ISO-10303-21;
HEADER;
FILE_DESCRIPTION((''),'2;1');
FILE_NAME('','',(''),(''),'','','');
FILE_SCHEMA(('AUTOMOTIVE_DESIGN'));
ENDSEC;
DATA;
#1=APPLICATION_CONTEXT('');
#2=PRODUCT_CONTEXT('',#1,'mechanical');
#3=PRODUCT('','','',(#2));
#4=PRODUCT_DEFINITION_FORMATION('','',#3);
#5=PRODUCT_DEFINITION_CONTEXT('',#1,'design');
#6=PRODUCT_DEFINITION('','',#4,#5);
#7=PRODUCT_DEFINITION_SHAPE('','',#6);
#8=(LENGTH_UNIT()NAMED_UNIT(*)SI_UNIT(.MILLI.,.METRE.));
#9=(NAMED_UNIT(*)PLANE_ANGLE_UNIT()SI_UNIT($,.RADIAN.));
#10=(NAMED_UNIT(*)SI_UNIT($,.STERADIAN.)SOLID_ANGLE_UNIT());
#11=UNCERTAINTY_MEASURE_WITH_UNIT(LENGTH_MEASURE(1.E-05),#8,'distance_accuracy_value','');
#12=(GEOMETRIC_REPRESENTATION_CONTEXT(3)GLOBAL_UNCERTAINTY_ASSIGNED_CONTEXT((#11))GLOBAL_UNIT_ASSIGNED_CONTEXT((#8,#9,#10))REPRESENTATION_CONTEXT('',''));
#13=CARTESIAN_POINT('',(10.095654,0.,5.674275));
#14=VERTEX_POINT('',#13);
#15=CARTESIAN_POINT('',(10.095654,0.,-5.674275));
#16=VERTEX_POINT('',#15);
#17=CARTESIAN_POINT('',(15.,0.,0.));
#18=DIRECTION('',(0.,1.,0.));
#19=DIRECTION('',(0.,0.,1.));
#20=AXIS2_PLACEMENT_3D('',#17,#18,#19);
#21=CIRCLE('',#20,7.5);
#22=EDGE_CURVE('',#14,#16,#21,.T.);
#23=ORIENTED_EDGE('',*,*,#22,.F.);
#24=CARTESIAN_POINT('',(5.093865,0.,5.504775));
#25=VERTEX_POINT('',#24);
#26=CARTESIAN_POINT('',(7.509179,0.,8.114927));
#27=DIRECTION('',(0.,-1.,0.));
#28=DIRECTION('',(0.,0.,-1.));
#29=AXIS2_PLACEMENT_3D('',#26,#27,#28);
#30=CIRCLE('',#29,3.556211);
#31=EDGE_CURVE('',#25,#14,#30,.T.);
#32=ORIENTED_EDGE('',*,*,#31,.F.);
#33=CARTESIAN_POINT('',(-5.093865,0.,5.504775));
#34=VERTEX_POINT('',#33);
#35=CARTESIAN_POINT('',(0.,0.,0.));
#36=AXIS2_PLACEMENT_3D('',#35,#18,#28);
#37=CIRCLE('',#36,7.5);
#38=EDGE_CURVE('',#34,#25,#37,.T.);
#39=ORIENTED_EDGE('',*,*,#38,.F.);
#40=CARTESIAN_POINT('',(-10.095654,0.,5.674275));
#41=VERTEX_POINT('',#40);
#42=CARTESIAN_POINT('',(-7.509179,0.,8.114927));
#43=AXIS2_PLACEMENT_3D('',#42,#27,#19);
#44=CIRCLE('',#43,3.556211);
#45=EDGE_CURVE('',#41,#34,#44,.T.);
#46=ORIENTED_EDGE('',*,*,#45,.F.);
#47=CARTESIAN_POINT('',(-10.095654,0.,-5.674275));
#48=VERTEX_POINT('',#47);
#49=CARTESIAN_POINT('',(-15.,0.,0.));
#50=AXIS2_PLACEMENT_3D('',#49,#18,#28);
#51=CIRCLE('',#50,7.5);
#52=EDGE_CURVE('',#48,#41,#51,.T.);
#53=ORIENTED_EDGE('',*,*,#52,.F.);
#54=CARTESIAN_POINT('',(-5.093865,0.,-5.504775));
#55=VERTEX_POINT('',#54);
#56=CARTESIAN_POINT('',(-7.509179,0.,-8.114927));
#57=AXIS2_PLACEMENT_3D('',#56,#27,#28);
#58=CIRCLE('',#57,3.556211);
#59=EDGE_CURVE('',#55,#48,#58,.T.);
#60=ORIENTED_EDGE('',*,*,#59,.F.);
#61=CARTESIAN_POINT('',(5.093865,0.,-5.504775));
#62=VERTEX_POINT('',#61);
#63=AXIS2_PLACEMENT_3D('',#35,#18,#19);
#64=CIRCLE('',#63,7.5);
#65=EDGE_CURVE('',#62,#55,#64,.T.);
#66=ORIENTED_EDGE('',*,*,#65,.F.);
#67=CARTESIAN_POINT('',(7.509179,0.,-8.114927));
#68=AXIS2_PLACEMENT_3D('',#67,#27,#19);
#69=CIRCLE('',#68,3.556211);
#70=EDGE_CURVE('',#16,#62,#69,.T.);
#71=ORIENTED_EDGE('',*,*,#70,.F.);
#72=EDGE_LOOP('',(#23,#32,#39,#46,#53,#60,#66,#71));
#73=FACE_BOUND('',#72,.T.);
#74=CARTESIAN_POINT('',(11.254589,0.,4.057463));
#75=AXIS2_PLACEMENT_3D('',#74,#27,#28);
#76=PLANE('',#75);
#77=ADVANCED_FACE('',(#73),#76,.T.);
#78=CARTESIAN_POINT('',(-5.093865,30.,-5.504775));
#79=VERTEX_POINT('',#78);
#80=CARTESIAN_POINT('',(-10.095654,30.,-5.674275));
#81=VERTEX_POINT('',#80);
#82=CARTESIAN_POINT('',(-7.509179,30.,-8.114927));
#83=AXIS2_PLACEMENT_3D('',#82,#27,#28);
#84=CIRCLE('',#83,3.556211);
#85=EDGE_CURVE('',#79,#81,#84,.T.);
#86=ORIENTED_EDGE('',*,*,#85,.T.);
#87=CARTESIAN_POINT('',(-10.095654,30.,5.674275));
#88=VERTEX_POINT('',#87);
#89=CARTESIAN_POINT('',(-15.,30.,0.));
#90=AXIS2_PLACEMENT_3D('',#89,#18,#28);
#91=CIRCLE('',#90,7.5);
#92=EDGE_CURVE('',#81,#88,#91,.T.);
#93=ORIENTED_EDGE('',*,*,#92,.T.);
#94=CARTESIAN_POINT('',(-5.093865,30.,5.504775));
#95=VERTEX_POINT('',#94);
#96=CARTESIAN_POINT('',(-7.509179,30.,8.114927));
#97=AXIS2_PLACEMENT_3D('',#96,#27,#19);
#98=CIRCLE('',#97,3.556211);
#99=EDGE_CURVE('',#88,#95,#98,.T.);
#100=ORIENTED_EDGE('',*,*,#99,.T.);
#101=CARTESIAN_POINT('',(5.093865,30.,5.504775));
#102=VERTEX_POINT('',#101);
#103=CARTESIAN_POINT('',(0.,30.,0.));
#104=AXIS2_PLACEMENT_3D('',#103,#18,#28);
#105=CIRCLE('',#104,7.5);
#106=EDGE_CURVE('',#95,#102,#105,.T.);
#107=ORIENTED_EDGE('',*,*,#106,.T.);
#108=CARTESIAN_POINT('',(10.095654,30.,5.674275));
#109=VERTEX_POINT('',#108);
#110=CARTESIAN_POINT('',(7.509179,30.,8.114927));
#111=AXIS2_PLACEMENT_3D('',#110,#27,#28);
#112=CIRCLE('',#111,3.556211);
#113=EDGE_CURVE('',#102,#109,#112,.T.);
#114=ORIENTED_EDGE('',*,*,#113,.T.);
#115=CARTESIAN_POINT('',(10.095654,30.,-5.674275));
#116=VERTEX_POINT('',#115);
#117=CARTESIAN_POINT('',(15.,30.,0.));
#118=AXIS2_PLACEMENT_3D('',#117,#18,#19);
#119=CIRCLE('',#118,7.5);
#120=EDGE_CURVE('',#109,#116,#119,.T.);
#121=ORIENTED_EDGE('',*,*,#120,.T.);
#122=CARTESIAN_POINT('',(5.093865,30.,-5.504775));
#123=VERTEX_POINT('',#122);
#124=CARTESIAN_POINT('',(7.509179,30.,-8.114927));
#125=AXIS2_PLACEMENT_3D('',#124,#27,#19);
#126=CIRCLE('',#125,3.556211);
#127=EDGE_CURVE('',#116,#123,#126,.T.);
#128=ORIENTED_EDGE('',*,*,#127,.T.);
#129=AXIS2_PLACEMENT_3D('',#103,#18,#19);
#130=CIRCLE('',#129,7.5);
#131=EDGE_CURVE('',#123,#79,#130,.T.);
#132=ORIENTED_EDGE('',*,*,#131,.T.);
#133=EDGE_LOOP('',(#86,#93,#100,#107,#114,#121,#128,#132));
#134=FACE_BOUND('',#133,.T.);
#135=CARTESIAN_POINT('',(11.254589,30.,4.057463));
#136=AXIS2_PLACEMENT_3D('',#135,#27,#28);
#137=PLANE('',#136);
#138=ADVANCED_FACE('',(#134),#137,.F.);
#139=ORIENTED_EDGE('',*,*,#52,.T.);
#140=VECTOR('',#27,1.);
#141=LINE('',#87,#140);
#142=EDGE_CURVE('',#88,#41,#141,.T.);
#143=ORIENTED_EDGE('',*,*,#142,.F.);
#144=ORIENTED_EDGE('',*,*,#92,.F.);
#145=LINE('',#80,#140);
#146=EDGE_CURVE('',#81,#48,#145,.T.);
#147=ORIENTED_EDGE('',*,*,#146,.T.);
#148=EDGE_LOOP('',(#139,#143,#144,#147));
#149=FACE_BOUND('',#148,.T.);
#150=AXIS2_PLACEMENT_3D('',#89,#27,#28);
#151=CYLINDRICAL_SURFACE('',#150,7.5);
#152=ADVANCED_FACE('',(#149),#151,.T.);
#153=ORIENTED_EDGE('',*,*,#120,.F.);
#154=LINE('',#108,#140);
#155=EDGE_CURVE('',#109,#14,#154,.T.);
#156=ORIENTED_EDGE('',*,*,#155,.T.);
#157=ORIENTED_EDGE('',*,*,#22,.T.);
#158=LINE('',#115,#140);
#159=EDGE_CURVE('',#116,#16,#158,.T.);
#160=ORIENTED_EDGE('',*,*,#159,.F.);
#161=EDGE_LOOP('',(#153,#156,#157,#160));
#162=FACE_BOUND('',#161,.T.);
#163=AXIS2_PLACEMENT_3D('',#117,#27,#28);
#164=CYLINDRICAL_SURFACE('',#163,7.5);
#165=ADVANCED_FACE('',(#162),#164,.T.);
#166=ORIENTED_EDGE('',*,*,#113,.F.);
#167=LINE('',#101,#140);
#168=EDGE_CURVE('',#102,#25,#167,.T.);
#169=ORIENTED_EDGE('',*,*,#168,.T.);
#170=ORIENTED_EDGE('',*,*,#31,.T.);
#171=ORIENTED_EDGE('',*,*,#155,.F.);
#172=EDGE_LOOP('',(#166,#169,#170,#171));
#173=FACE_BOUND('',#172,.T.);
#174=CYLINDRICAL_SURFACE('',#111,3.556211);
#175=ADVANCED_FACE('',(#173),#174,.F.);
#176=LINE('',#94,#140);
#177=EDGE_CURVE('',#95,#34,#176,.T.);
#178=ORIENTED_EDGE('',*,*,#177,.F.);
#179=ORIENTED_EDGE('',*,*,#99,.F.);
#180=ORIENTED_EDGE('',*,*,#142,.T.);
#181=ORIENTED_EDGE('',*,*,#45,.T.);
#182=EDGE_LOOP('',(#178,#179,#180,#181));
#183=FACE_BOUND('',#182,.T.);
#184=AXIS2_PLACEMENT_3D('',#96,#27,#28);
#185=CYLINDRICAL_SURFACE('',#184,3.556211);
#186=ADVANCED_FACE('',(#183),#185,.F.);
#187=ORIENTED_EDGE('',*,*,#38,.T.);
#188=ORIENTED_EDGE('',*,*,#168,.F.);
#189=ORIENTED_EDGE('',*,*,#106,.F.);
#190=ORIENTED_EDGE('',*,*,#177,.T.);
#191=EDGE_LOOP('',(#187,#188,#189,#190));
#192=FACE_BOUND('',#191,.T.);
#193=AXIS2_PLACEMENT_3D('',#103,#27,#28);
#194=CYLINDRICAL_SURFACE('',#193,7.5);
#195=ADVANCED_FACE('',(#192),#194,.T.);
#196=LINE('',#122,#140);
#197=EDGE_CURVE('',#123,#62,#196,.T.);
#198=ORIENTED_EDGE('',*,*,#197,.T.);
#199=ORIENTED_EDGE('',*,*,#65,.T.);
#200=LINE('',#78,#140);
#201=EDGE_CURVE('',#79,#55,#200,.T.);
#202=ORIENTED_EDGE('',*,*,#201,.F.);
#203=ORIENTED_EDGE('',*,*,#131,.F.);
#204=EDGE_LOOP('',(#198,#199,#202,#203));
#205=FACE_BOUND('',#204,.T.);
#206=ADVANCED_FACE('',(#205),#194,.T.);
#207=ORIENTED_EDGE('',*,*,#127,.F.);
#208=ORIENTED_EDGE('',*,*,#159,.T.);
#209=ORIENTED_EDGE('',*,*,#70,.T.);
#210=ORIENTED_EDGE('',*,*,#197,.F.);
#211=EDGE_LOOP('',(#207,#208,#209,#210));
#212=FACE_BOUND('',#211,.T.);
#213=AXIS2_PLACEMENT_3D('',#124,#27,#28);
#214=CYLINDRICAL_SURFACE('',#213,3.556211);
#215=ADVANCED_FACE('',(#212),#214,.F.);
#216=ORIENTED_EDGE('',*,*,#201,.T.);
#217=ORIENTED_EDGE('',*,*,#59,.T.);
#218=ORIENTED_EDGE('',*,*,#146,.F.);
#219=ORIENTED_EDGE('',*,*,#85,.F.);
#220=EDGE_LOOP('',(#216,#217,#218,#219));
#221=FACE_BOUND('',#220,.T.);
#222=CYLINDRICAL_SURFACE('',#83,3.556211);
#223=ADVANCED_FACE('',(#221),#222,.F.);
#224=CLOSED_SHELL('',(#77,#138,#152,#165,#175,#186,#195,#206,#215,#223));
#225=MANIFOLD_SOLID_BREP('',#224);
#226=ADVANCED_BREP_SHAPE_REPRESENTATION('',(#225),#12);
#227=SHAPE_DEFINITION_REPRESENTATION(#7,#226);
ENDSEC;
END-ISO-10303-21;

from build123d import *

# Parameters (mm, degrees)
SALIENTE_EXTRUIR1_DEPTH = 30


with BuildPart() as part:
    # Croquis1 → Saliente-Extruir1 (new body)
    with BuildSketch(Plane(origin=(0, 0, 0), x_dir=(1, 0, 0), z_dir=(0, 1, 0))):
        with BuildLine():
            ThreePointArc((5.093864637, 5.504774569), (0, 7.5), (-5.093864637, 5.504774569))
            ThreePointArc((-5.093864637, 5.504774569), (-7.629622361, 4.56075577), (-10.095654419, 5.674274793))
            ThreePointArc((-10.095654419, 5.674274793), (-22.5, 0), (-10.095654419, -5.674274793))
            ThreePointArc((-10.095654419, -5.674274793), (-7.629622361, -4.56075577), (-5.093864637, -5.504774569))
            ThreePointArc((-5.093864637, -5.504774569), (0, -7.5), (5.093864637, -5.504774569))
            ThreePointArc((5.093864637, -5.504774569), (7.629622361, -4.56075577), (10.095654419, -5.674274793))
            ThreePointArc((10.095654419, -5.674274793), (22.5, 0), (10.095654419, 5.674274793))
            ThreePointArc((10.095654419, 5.674274793), (7.629622361, 4.56075577), (5.093864637, 5.504774569))
        make_face()
    extrude(amount=SALIENTE_EXTRUIR1_DEPTH)


solid = part.part
